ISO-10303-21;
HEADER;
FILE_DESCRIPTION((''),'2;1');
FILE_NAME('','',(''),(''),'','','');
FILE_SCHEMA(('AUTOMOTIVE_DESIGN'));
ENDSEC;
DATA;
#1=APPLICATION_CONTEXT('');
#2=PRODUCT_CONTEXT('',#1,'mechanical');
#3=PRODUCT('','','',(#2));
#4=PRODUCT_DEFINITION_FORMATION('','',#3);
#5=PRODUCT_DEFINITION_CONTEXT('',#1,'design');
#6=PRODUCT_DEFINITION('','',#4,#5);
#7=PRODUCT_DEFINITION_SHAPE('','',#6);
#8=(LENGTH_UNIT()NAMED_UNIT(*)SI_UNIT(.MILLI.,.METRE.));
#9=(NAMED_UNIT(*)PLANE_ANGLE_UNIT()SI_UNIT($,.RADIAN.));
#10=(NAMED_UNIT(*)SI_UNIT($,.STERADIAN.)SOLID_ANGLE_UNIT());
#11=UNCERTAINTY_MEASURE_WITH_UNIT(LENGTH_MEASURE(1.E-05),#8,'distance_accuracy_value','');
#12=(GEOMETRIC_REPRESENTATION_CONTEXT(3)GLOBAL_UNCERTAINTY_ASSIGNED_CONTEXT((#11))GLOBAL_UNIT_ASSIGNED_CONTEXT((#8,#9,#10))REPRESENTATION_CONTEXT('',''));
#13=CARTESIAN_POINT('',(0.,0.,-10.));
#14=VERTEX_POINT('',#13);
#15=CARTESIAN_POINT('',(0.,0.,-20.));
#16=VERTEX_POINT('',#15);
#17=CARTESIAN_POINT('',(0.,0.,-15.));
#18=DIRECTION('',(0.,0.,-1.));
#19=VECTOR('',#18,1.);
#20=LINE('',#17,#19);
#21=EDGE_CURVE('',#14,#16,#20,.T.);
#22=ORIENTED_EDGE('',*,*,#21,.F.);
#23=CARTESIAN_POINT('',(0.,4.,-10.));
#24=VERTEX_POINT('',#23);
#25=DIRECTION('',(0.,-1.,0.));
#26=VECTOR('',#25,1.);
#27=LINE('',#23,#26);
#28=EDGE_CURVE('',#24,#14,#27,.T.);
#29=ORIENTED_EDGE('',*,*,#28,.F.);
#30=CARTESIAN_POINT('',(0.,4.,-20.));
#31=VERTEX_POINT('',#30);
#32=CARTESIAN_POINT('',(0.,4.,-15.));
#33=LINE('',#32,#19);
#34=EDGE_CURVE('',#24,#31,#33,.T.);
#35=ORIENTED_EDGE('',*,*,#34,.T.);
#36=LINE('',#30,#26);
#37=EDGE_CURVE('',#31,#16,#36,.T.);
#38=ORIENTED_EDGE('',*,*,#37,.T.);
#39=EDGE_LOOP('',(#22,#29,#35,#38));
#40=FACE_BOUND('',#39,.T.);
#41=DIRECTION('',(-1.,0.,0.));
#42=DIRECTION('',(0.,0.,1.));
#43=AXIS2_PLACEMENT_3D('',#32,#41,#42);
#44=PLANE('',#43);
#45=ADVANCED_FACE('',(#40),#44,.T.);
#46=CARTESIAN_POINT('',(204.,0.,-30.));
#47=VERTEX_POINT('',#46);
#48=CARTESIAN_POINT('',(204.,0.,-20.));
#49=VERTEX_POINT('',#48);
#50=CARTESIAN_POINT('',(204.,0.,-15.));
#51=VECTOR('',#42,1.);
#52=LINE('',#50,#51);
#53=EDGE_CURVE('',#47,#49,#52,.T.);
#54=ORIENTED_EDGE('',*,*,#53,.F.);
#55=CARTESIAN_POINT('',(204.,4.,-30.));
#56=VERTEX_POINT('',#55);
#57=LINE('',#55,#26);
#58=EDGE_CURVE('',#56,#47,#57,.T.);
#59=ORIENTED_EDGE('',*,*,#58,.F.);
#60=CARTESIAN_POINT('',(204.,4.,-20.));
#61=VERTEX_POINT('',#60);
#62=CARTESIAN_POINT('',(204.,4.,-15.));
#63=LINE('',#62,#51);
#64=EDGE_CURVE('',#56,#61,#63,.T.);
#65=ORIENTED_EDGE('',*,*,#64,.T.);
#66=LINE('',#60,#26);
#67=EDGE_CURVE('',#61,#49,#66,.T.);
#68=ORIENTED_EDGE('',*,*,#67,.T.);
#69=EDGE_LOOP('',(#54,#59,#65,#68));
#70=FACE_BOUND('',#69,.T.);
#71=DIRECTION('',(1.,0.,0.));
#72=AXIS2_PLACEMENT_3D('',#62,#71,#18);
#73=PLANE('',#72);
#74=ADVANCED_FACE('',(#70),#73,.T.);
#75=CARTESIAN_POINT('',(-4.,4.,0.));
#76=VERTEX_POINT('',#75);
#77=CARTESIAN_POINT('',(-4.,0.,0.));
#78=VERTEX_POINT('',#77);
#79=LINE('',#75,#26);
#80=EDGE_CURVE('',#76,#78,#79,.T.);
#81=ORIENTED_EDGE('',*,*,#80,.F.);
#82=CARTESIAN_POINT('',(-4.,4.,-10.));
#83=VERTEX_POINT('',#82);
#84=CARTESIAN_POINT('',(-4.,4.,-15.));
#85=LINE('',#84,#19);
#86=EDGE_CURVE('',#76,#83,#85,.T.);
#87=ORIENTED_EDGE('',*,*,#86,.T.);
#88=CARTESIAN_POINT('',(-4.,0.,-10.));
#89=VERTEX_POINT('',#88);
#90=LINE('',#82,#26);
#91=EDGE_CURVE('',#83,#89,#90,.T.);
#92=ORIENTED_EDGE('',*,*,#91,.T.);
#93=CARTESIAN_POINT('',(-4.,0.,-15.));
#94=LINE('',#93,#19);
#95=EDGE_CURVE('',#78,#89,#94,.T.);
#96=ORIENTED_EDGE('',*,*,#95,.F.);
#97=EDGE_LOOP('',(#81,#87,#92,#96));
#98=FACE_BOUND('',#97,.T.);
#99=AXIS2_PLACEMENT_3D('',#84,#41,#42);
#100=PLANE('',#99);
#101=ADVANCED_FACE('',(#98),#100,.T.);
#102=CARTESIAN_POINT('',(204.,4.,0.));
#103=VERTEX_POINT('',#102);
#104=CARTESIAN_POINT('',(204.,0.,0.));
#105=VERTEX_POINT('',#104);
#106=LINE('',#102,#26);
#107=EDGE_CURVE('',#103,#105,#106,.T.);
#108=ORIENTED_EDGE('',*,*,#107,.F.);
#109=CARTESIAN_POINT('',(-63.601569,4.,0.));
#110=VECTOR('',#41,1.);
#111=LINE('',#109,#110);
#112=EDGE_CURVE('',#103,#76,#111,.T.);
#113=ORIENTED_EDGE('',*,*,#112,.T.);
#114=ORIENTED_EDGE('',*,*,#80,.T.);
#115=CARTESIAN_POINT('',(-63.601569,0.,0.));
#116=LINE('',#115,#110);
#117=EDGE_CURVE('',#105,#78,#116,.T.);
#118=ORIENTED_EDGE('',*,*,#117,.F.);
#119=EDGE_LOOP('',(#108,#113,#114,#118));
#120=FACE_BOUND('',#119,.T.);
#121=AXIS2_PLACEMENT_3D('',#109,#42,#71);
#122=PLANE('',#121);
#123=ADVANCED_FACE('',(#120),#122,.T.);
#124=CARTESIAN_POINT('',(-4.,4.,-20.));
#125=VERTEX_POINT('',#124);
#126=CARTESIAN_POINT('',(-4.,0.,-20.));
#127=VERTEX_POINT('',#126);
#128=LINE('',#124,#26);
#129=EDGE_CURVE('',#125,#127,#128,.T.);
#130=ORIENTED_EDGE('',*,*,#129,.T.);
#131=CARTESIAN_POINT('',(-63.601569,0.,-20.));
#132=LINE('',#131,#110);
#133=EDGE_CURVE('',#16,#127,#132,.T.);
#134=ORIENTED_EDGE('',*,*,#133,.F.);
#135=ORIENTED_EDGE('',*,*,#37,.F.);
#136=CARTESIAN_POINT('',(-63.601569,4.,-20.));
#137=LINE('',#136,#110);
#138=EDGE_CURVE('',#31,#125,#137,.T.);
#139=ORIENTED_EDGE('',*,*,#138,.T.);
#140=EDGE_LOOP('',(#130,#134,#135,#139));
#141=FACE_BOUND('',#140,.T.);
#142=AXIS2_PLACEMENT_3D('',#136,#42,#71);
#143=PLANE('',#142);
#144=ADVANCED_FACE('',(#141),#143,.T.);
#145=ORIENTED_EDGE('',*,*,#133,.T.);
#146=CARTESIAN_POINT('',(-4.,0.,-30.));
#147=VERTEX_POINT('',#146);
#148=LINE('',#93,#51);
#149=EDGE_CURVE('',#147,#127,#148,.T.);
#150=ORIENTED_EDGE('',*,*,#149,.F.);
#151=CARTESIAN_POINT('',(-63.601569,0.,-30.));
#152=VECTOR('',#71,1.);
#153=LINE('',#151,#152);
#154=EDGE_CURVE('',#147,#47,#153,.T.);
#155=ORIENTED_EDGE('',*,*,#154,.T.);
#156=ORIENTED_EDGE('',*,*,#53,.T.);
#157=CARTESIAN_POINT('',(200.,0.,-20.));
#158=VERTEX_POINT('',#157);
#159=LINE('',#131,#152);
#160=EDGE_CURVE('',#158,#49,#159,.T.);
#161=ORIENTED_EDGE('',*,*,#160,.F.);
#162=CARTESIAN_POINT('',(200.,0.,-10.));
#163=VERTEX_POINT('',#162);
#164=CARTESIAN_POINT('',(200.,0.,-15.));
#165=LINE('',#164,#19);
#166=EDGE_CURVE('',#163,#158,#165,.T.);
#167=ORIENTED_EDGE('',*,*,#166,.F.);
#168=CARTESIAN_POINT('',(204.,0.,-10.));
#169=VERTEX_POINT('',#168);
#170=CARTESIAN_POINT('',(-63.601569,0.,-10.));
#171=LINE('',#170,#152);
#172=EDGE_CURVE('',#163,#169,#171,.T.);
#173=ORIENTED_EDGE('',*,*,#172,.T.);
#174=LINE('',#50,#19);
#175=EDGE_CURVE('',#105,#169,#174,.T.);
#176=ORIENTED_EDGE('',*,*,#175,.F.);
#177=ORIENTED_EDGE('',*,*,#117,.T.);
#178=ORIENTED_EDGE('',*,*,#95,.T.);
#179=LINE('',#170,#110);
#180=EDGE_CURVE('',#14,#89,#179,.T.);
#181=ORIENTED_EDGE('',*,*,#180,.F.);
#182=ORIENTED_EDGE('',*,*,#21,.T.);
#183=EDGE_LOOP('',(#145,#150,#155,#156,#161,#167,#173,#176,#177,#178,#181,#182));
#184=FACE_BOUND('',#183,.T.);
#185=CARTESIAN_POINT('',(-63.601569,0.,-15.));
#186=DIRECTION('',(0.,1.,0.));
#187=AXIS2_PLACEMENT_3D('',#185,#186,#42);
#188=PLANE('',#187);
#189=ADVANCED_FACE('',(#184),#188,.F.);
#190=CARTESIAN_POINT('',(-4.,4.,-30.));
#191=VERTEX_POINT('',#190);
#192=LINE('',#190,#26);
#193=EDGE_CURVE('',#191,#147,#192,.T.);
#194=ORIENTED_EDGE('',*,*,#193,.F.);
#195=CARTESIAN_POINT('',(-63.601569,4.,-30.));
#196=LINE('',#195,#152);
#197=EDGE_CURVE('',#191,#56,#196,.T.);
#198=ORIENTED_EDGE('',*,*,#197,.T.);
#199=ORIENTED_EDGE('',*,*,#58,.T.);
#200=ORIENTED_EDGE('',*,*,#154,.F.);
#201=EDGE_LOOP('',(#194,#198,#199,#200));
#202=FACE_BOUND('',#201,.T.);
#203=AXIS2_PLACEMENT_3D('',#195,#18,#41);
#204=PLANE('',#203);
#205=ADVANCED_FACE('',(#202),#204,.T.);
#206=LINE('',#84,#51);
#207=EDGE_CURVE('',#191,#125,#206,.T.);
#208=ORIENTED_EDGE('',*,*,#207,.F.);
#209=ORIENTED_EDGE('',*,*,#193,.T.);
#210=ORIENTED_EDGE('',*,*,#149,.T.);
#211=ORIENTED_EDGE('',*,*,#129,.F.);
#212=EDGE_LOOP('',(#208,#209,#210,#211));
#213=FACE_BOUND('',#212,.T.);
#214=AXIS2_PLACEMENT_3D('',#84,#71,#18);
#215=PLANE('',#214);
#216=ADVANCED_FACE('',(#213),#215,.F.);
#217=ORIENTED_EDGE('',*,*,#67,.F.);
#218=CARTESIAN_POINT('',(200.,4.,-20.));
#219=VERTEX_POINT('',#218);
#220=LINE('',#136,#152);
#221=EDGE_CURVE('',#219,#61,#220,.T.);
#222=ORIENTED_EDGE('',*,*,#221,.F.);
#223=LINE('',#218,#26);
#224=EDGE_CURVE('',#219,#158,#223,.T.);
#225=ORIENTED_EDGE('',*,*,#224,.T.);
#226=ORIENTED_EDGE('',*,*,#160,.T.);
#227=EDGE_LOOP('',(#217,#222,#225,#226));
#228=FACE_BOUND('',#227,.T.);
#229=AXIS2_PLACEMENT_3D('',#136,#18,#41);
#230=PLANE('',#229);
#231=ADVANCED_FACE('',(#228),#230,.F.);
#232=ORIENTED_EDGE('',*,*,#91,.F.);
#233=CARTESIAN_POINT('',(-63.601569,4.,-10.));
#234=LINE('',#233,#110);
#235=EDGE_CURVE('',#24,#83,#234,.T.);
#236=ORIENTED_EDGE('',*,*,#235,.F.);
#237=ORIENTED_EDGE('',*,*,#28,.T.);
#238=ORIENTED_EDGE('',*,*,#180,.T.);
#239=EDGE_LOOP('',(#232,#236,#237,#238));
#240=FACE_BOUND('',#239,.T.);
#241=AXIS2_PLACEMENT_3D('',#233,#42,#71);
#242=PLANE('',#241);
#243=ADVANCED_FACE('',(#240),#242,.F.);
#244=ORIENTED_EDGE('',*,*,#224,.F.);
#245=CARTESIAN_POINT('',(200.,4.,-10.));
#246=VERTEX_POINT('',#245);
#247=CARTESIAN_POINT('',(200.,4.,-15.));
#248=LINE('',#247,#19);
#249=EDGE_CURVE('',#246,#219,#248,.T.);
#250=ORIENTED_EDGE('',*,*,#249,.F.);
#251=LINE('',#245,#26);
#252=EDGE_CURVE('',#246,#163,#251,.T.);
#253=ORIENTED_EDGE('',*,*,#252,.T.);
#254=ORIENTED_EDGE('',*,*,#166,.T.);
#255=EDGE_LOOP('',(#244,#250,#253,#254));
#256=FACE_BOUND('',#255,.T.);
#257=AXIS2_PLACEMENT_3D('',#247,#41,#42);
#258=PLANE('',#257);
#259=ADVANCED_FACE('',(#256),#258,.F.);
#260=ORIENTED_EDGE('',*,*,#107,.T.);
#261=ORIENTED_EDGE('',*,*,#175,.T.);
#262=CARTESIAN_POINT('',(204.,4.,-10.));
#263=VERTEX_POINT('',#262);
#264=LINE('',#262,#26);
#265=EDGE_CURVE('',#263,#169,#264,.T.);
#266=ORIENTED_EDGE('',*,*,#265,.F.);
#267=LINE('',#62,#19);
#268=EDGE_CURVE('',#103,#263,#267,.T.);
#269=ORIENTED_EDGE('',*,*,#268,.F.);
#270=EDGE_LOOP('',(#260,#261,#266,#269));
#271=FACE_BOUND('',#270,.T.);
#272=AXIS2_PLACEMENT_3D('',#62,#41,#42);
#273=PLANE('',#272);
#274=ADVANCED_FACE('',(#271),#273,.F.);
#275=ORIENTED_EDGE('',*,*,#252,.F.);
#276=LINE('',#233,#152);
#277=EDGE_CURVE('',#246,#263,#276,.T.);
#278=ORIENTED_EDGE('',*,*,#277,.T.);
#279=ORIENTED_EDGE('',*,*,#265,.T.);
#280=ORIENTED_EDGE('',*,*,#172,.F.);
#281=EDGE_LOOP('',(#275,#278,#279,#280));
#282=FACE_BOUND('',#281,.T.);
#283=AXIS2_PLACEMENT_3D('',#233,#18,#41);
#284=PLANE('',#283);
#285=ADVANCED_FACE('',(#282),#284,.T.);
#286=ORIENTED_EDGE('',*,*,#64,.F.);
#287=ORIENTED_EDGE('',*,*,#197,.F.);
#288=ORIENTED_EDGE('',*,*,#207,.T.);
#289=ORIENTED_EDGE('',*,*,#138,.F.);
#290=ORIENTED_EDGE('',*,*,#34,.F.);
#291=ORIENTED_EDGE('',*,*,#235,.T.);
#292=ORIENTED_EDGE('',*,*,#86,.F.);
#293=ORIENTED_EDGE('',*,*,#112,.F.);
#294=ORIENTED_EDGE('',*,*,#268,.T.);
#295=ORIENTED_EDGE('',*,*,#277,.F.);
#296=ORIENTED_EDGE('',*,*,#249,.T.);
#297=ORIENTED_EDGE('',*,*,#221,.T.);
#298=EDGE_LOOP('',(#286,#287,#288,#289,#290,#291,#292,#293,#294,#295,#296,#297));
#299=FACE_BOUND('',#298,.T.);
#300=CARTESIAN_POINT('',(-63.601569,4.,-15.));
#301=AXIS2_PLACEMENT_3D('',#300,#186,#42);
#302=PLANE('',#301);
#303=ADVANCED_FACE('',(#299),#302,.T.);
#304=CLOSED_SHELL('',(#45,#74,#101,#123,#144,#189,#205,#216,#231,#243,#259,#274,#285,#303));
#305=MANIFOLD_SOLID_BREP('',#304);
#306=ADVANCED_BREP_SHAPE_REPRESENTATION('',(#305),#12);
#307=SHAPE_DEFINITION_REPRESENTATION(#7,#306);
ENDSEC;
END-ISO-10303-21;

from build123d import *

# Parameters (mm, degrees)
BOSS_EXTRUDE2_DEPTH = 4


with BuildPart() as part:
    # Sketch1 → Boss-Extrude2 (new body)
    with BuildSketch(Plane(origin=(0, 0, 0), x_dir=(1, 0, 0), z_dir=(0, 1, 0))):
        Polygon((204, 30), (204, 20), (200, 20), (200, 10), (204, 10), (204, 0), (200, 0), (0, 0), (-4, 0), (-4, 10), (0, 10), (0, 20), (-4, 20), (-4, 30), (0, 30), (200, 30), align=None)
    extrude(amount=BOSS_EXTRUDE2_DEPTH)


solid = part.part
